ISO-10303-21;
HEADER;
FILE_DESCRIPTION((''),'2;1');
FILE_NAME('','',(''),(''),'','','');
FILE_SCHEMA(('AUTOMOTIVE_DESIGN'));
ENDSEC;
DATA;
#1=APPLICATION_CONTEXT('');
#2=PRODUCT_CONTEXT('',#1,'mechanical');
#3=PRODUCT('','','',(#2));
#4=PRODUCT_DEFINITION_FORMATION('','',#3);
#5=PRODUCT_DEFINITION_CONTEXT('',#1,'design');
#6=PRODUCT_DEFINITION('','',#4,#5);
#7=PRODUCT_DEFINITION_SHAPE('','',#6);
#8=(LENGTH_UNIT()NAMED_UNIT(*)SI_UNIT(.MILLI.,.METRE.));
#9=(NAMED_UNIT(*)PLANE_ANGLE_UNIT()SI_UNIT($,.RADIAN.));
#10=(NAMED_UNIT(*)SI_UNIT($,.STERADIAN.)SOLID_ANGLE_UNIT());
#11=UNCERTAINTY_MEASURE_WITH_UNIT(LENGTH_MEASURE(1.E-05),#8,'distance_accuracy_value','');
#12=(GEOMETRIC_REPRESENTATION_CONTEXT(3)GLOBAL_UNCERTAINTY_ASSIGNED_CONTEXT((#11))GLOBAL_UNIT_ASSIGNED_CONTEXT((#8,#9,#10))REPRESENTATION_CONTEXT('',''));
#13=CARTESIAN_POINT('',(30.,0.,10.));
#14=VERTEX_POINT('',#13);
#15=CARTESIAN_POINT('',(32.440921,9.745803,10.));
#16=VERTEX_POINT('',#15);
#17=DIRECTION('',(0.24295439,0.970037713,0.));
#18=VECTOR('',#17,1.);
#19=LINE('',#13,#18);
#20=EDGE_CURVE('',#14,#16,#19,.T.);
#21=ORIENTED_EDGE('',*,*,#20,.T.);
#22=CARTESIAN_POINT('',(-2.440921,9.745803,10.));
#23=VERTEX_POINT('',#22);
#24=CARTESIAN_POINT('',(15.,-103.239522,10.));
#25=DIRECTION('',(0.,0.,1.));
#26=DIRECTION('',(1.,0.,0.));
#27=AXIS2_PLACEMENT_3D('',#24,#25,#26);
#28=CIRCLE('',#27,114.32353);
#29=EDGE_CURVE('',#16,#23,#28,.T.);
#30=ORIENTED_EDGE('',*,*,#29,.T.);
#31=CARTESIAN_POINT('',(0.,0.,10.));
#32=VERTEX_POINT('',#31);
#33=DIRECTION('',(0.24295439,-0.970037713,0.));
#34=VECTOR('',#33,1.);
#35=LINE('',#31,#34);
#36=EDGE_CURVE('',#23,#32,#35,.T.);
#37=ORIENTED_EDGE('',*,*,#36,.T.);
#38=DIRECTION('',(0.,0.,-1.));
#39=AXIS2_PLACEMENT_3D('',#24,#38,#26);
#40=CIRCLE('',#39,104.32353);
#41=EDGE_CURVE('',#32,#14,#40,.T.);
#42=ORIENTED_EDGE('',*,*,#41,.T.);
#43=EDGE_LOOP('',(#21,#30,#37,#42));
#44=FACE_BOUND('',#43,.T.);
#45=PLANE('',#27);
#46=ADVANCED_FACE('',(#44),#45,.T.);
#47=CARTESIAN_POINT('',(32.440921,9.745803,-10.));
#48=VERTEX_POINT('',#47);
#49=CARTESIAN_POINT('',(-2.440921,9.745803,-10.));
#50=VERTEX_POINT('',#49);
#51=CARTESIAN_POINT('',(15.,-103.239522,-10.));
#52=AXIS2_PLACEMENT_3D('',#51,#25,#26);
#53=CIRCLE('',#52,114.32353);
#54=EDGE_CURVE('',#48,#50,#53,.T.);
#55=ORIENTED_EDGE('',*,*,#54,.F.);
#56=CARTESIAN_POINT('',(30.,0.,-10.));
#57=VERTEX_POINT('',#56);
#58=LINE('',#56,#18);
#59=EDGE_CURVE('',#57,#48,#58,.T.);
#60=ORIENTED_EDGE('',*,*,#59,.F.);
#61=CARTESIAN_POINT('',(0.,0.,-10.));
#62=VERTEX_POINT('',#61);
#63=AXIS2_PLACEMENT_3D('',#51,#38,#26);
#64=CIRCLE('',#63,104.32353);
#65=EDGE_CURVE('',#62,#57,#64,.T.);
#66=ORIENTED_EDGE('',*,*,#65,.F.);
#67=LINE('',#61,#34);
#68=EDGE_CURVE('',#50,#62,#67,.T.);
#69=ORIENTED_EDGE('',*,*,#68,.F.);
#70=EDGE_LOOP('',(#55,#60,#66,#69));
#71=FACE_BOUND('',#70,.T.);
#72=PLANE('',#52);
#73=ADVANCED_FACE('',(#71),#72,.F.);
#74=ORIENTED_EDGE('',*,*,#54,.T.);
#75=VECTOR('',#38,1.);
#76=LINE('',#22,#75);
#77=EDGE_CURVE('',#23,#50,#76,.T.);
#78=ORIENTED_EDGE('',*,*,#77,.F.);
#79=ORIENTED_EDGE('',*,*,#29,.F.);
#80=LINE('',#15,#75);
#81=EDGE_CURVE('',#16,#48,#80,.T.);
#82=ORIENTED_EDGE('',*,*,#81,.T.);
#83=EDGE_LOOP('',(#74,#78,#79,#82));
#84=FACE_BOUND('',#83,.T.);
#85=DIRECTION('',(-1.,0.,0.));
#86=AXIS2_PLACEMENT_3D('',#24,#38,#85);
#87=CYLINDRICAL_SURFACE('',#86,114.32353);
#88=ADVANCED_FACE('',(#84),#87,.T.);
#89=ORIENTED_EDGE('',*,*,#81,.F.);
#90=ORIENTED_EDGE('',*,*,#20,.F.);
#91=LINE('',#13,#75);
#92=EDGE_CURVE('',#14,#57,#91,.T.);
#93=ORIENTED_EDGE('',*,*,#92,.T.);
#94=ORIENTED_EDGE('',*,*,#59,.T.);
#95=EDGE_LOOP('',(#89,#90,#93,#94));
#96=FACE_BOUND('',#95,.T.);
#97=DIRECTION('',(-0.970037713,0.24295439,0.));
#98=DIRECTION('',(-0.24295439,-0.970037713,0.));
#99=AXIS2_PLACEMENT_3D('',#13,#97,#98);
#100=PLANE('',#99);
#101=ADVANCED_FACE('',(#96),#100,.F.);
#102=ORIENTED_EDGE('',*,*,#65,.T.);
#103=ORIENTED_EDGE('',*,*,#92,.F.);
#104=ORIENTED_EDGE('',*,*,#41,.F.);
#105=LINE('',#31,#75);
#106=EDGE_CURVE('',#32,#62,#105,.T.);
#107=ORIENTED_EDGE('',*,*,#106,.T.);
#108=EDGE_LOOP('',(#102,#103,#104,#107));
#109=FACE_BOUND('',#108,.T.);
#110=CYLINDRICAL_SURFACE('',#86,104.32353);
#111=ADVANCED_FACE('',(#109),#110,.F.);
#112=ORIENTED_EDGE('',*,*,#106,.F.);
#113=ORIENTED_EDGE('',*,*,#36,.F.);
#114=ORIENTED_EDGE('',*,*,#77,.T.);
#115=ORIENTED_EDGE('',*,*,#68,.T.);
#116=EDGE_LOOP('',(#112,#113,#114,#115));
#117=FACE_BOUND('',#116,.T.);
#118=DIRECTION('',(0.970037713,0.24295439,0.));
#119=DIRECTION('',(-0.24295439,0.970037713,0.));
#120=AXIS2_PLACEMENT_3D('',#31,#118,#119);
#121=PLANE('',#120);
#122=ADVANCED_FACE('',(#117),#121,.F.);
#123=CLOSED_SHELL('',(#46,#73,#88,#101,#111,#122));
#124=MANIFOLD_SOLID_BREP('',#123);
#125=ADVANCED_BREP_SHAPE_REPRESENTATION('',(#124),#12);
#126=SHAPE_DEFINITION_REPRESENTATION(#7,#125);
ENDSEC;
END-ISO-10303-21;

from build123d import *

# Parameters (mm, degrees)
BOSS_EXTRUDE1_DEPTH = 10


with BuildPart() as part:
    # Sketch3 → Boss-Extrude1 (new, symmetric)
    with BuildSketch(Plane.XY):
        with BuildLine():
            Line((0, 0), (-2.440921314, 9.745803444))
            ThreePointArc((-2.440921314, 9.745803444), (15, 11.084007957), (32.440921314, 9.745803444))
            Line((32.440921314, 9.745803444), (30, 0))
            ThreePointArc((30, 0), (15, 1.084007957), (0, 0))
        make_face()
    extrude(amount=BOSS_EXTRUDE1_DEPTH, both=True)


solid = part.part
